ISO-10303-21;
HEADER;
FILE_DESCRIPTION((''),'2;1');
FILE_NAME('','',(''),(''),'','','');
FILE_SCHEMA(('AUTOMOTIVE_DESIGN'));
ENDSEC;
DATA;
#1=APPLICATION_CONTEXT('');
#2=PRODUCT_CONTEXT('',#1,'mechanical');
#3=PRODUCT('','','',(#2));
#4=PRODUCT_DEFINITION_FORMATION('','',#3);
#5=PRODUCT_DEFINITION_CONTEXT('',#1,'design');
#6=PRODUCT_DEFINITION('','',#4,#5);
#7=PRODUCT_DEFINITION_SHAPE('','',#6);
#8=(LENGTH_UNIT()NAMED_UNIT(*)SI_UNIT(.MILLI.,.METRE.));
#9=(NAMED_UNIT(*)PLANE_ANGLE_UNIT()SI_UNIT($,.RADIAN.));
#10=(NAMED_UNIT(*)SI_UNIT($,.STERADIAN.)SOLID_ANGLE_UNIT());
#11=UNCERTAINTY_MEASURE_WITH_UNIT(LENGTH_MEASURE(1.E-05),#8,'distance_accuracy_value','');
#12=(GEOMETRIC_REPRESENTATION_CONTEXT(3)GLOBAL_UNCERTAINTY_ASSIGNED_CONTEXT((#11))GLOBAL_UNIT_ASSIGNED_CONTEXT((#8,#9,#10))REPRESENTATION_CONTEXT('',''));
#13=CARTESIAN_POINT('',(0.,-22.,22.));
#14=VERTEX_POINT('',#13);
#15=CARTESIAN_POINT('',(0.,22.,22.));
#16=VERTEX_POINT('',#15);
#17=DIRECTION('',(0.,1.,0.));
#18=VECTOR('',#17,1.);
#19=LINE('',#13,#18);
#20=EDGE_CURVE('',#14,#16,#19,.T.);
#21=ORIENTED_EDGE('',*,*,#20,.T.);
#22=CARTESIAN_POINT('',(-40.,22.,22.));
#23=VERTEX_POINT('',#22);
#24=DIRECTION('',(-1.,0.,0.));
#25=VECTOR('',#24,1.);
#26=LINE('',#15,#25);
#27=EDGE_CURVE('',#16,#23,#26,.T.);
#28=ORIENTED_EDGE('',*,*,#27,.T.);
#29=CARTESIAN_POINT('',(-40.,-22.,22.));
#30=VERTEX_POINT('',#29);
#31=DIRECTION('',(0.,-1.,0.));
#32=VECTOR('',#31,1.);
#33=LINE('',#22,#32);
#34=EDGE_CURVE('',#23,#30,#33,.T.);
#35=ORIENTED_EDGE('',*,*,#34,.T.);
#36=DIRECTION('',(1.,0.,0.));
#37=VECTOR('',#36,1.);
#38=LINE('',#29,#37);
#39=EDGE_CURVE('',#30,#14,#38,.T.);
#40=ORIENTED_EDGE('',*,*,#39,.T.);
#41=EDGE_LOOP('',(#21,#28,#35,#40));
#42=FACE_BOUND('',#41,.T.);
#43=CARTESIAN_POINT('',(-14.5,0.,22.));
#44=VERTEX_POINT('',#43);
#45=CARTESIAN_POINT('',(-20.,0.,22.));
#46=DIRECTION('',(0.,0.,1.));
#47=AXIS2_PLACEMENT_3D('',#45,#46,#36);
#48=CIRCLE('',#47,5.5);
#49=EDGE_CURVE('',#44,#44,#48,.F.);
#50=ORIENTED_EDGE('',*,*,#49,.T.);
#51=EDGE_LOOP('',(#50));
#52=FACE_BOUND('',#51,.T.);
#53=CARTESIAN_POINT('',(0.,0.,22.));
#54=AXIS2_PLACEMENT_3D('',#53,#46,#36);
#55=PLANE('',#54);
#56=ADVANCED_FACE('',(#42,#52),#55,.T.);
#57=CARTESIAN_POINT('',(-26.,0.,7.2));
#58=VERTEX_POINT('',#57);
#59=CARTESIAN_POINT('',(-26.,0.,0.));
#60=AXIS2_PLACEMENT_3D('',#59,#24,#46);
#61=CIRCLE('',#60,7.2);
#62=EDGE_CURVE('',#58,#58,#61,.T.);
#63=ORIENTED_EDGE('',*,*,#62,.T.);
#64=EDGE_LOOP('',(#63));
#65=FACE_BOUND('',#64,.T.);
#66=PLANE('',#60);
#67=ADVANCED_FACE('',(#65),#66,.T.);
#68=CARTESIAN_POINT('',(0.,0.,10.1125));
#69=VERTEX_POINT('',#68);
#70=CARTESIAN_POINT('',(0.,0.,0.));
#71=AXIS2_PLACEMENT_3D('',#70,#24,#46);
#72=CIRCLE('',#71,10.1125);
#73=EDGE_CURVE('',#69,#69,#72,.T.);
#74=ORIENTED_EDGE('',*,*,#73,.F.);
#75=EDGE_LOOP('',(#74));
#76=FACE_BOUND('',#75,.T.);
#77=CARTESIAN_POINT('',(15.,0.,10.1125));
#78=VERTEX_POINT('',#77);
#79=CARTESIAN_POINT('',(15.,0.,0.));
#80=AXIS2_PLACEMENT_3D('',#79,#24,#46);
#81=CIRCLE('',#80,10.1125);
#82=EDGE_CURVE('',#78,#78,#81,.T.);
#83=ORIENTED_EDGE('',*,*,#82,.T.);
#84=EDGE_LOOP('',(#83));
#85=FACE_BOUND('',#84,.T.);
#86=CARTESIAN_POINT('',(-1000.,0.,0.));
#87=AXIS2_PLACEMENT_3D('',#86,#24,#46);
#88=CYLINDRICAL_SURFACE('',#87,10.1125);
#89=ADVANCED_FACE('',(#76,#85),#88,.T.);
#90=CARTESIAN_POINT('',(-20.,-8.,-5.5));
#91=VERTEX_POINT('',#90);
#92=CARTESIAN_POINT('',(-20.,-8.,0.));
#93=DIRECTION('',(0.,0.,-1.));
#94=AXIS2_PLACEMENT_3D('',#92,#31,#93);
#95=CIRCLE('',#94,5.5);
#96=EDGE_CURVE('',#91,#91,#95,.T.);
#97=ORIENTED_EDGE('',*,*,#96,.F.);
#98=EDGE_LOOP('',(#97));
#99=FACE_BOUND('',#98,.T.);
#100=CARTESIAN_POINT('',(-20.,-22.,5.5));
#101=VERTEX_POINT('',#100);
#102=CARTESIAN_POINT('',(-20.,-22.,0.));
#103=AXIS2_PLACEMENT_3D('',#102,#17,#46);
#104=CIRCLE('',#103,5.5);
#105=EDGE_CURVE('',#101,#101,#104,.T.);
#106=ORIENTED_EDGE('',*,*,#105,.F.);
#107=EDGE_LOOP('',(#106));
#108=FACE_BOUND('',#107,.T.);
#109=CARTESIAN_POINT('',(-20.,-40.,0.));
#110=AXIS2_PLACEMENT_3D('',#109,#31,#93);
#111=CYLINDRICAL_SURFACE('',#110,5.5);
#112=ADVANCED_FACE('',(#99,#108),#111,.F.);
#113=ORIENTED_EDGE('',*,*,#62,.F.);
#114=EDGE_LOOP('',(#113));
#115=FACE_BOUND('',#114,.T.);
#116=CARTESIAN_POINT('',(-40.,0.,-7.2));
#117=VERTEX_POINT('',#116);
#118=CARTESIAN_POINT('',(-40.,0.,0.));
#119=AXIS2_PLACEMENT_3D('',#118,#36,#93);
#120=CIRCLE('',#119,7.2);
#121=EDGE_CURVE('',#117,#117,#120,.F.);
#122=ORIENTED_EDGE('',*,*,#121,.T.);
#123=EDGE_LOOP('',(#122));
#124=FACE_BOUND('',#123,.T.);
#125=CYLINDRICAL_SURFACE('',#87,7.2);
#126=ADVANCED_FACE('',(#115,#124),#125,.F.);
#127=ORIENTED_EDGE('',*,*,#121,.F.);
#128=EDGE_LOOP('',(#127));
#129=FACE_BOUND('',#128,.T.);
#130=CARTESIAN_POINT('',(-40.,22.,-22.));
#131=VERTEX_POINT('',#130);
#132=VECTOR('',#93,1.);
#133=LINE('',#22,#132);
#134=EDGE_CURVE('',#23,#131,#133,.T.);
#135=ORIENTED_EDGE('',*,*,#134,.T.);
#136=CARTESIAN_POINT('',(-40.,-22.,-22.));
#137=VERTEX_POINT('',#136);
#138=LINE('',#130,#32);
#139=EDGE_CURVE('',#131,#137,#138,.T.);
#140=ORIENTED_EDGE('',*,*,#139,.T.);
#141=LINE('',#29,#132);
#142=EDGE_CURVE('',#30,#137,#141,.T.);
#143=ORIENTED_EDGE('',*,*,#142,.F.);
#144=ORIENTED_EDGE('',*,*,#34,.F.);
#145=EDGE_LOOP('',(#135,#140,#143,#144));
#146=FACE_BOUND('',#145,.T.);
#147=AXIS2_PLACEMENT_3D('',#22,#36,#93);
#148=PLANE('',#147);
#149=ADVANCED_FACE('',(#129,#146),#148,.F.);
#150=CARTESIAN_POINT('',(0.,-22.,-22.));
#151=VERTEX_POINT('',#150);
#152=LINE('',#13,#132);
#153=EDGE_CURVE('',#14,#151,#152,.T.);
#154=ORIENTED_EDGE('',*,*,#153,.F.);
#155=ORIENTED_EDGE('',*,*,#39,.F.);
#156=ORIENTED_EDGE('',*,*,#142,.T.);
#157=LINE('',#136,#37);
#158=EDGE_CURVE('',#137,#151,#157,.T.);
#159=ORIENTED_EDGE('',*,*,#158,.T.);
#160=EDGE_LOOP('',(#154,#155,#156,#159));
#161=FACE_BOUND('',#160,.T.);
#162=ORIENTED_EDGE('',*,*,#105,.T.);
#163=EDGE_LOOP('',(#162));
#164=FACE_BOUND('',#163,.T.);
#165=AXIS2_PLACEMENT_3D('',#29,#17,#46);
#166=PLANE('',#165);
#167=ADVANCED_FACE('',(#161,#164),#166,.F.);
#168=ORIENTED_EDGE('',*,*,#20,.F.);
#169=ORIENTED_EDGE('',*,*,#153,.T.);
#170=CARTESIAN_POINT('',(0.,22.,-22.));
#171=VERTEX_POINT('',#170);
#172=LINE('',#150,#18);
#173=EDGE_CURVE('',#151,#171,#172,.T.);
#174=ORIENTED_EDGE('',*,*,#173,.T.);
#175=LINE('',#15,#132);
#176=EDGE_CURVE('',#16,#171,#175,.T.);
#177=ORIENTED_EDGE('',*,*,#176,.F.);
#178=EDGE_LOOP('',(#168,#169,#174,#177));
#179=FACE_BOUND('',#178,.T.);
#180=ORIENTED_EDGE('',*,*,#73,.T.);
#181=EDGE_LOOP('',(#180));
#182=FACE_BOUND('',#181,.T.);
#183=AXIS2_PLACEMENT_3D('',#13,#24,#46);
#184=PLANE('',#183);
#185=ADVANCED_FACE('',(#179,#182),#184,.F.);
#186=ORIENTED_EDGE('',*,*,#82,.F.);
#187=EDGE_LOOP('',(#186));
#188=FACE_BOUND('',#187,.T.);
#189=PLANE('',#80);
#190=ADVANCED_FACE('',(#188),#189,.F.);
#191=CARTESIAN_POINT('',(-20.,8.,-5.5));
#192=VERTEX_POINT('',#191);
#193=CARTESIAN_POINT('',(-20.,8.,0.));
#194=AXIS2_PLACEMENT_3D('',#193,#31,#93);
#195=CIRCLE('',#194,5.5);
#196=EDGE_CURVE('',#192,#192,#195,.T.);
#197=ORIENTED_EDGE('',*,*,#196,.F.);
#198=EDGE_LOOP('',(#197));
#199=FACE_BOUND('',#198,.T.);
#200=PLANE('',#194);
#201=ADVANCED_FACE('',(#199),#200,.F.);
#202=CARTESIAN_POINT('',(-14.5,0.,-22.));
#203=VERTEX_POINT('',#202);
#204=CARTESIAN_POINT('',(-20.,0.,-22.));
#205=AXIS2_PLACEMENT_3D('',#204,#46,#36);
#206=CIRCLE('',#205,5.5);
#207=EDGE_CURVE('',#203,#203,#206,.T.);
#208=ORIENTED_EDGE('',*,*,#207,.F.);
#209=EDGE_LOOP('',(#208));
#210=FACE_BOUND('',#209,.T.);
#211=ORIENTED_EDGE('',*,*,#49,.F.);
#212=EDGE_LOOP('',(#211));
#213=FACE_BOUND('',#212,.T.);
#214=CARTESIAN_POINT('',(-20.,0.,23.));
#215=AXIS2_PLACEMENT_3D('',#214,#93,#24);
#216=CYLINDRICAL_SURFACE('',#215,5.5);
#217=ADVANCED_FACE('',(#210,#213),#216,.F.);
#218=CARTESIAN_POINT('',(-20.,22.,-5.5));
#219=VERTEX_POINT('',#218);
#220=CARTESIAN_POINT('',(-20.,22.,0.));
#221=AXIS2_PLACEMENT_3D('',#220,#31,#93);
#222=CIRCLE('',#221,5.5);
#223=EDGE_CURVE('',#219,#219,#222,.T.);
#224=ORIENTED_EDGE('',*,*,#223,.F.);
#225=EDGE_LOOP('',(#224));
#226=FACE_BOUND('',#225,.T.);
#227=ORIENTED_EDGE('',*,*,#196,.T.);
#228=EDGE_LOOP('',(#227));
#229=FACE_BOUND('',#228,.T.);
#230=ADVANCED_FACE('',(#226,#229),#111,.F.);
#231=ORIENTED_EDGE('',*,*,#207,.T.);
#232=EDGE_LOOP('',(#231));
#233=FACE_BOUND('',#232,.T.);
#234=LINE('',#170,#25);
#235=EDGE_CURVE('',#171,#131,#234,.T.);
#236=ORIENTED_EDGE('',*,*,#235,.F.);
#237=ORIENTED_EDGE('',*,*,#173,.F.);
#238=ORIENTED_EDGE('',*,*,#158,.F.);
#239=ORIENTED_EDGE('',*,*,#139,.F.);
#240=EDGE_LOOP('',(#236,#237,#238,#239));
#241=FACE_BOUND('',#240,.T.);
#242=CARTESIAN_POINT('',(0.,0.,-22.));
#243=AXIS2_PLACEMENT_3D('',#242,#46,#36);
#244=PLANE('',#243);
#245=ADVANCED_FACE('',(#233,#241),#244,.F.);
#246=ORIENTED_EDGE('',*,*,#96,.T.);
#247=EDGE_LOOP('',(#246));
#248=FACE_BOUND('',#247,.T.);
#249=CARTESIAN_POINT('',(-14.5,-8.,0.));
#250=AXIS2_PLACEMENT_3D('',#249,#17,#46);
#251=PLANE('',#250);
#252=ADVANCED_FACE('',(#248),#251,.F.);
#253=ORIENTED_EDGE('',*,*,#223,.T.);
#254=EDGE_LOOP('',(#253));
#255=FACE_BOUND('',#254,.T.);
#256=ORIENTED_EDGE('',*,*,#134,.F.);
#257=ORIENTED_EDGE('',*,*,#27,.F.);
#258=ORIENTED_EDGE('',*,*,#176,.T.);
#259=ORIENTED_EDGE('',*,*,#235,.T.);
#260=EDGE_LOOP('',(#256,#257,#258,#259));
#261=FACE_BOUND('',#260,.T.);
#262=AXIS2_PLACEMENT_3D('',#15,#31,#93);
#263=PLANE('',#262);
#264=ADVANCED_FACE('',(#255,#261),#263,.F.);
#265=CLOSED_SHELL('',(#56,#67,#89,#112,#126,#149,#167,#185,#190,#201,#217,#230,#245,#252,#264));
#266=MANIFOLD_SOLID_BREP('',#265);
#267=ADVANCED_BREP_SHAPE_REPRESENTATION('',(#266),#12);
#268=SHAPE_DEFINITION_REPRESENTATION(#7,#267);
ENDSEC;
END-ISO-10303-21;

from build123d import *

# Parameters (mm, degrees)
BLOCK_SKETCH_W          = 40
BLOCK_SKETCH_H          = 44
BLOCK_DEPTH             = 22
NECK_SKETCH_W           = 15
NECK_SKETCH_H           = 10.1125
REGULATOR_PORT_SKETCH_W = 15
REGULATOR_PORT_SKETCH_H = 7.2
SIDE_PORT_Y_SKETCH_W    = 5.5
SIDE_PORT_Y_SKETCH_H    = 15
SIDE_PORT_Y_SKETCH_2_W  = 5.5
SIDE_PORT_Y_SKETCH_2_H  = 15
SIDE_PORT_Z_SKETCH_R    = 5.5
SIDE_PORT_Z_DEPTH       = 23
SIDE_START              = -23
SIDE_PORT_Z_SKETCH_2_R  = 5.5
SIDE_PORT_Z_2_DEPTH     = 23


with BuildPart() as part:
    # Block Sketch → Block (new, symmetric)
    with BuildSketch(Plane.XY):
        with Locations((-20, 0)):
            Rectangle(BLOCK_SKETCH_W, BLOCK_SKETCH_H)
    extrude(amount=BLOCK_DEPTH, both=True)

    # Neck Sketch → Neck (revolve)
    with BuildSketch(Plane.XY):
        with Locations((7.5, 5.05625)):
            Rectangle(NECK_SKETCH_W, NECK_SKETCH_H)
    revolve(axis=Axis((-1000, 0, 0), (1, 0, 0)))

    # Regulator Port Sketch → Regulator Port (revolve, cut)
    with BuildSketch(Plane.XY):
        with Locations((-33.5, 3.6)):
            Rectangle(REGULATOR_PORT_SKETCH_W, REGULATOR_PORT_SKETCH_H)
    revolve(axis=Axis((-1000, 0, 0), (1, 0, 0)), mode=Mode.SUBTRACT)

    # Side Port _Y Sketch → Side Port _Y (revolve, cut)
    with BuildSketch(Plane.XY):
        with Locations((-17.25, 15.5)):
            Rectangle(SIDE_PORT_Y_SKETCH_W, SIDE_PORT_Y_SKETCH_H)
    revolve(axis=Axis((-20, -40, 0), (0, 1, 0)), mode=Mode.SUBTRACT)

    # Side Port -Y Sketch 2 → Side Port -Y 2 (revolve, cut)
    with BuildSketch(Plane.XY):
        with Locations((-17.25, -15.5)):
            Rectangle(SIDE_PORT_Y_SKETCH_2_W, SIDE_PORT_Y_SKETCH_2_H)
    revolve(axis=Axis((-20, -40, 0), (0, 1, 0)), mode=Mode.SUBTRACT)

    # Side Port _Z Sketch → Side Port _Z (cut)
    with BuildSketch(Plane.XY):
        with Locations((-20, 0)):
            Circle(SIDE_PORT_Z_SKETCH_R)
    extrude(amount=SIDE_PORT_Z_DEPTH, mode=Mode.SUBTRACT)

    # Side Port -Z Sketch 2 → Side Port -Z 2 (cut)
    with BuildSketch(Plane.XY.offset(SIDE_START)):
        with Locations((-20, 0)):
            Circle(SIDE_PORT_Z_SKETCH_2_R)
    extrude(amount=SIDE_PORT_Z_2_DEPTH, mode=Mode.SUBTRACT)


solid = part.part
